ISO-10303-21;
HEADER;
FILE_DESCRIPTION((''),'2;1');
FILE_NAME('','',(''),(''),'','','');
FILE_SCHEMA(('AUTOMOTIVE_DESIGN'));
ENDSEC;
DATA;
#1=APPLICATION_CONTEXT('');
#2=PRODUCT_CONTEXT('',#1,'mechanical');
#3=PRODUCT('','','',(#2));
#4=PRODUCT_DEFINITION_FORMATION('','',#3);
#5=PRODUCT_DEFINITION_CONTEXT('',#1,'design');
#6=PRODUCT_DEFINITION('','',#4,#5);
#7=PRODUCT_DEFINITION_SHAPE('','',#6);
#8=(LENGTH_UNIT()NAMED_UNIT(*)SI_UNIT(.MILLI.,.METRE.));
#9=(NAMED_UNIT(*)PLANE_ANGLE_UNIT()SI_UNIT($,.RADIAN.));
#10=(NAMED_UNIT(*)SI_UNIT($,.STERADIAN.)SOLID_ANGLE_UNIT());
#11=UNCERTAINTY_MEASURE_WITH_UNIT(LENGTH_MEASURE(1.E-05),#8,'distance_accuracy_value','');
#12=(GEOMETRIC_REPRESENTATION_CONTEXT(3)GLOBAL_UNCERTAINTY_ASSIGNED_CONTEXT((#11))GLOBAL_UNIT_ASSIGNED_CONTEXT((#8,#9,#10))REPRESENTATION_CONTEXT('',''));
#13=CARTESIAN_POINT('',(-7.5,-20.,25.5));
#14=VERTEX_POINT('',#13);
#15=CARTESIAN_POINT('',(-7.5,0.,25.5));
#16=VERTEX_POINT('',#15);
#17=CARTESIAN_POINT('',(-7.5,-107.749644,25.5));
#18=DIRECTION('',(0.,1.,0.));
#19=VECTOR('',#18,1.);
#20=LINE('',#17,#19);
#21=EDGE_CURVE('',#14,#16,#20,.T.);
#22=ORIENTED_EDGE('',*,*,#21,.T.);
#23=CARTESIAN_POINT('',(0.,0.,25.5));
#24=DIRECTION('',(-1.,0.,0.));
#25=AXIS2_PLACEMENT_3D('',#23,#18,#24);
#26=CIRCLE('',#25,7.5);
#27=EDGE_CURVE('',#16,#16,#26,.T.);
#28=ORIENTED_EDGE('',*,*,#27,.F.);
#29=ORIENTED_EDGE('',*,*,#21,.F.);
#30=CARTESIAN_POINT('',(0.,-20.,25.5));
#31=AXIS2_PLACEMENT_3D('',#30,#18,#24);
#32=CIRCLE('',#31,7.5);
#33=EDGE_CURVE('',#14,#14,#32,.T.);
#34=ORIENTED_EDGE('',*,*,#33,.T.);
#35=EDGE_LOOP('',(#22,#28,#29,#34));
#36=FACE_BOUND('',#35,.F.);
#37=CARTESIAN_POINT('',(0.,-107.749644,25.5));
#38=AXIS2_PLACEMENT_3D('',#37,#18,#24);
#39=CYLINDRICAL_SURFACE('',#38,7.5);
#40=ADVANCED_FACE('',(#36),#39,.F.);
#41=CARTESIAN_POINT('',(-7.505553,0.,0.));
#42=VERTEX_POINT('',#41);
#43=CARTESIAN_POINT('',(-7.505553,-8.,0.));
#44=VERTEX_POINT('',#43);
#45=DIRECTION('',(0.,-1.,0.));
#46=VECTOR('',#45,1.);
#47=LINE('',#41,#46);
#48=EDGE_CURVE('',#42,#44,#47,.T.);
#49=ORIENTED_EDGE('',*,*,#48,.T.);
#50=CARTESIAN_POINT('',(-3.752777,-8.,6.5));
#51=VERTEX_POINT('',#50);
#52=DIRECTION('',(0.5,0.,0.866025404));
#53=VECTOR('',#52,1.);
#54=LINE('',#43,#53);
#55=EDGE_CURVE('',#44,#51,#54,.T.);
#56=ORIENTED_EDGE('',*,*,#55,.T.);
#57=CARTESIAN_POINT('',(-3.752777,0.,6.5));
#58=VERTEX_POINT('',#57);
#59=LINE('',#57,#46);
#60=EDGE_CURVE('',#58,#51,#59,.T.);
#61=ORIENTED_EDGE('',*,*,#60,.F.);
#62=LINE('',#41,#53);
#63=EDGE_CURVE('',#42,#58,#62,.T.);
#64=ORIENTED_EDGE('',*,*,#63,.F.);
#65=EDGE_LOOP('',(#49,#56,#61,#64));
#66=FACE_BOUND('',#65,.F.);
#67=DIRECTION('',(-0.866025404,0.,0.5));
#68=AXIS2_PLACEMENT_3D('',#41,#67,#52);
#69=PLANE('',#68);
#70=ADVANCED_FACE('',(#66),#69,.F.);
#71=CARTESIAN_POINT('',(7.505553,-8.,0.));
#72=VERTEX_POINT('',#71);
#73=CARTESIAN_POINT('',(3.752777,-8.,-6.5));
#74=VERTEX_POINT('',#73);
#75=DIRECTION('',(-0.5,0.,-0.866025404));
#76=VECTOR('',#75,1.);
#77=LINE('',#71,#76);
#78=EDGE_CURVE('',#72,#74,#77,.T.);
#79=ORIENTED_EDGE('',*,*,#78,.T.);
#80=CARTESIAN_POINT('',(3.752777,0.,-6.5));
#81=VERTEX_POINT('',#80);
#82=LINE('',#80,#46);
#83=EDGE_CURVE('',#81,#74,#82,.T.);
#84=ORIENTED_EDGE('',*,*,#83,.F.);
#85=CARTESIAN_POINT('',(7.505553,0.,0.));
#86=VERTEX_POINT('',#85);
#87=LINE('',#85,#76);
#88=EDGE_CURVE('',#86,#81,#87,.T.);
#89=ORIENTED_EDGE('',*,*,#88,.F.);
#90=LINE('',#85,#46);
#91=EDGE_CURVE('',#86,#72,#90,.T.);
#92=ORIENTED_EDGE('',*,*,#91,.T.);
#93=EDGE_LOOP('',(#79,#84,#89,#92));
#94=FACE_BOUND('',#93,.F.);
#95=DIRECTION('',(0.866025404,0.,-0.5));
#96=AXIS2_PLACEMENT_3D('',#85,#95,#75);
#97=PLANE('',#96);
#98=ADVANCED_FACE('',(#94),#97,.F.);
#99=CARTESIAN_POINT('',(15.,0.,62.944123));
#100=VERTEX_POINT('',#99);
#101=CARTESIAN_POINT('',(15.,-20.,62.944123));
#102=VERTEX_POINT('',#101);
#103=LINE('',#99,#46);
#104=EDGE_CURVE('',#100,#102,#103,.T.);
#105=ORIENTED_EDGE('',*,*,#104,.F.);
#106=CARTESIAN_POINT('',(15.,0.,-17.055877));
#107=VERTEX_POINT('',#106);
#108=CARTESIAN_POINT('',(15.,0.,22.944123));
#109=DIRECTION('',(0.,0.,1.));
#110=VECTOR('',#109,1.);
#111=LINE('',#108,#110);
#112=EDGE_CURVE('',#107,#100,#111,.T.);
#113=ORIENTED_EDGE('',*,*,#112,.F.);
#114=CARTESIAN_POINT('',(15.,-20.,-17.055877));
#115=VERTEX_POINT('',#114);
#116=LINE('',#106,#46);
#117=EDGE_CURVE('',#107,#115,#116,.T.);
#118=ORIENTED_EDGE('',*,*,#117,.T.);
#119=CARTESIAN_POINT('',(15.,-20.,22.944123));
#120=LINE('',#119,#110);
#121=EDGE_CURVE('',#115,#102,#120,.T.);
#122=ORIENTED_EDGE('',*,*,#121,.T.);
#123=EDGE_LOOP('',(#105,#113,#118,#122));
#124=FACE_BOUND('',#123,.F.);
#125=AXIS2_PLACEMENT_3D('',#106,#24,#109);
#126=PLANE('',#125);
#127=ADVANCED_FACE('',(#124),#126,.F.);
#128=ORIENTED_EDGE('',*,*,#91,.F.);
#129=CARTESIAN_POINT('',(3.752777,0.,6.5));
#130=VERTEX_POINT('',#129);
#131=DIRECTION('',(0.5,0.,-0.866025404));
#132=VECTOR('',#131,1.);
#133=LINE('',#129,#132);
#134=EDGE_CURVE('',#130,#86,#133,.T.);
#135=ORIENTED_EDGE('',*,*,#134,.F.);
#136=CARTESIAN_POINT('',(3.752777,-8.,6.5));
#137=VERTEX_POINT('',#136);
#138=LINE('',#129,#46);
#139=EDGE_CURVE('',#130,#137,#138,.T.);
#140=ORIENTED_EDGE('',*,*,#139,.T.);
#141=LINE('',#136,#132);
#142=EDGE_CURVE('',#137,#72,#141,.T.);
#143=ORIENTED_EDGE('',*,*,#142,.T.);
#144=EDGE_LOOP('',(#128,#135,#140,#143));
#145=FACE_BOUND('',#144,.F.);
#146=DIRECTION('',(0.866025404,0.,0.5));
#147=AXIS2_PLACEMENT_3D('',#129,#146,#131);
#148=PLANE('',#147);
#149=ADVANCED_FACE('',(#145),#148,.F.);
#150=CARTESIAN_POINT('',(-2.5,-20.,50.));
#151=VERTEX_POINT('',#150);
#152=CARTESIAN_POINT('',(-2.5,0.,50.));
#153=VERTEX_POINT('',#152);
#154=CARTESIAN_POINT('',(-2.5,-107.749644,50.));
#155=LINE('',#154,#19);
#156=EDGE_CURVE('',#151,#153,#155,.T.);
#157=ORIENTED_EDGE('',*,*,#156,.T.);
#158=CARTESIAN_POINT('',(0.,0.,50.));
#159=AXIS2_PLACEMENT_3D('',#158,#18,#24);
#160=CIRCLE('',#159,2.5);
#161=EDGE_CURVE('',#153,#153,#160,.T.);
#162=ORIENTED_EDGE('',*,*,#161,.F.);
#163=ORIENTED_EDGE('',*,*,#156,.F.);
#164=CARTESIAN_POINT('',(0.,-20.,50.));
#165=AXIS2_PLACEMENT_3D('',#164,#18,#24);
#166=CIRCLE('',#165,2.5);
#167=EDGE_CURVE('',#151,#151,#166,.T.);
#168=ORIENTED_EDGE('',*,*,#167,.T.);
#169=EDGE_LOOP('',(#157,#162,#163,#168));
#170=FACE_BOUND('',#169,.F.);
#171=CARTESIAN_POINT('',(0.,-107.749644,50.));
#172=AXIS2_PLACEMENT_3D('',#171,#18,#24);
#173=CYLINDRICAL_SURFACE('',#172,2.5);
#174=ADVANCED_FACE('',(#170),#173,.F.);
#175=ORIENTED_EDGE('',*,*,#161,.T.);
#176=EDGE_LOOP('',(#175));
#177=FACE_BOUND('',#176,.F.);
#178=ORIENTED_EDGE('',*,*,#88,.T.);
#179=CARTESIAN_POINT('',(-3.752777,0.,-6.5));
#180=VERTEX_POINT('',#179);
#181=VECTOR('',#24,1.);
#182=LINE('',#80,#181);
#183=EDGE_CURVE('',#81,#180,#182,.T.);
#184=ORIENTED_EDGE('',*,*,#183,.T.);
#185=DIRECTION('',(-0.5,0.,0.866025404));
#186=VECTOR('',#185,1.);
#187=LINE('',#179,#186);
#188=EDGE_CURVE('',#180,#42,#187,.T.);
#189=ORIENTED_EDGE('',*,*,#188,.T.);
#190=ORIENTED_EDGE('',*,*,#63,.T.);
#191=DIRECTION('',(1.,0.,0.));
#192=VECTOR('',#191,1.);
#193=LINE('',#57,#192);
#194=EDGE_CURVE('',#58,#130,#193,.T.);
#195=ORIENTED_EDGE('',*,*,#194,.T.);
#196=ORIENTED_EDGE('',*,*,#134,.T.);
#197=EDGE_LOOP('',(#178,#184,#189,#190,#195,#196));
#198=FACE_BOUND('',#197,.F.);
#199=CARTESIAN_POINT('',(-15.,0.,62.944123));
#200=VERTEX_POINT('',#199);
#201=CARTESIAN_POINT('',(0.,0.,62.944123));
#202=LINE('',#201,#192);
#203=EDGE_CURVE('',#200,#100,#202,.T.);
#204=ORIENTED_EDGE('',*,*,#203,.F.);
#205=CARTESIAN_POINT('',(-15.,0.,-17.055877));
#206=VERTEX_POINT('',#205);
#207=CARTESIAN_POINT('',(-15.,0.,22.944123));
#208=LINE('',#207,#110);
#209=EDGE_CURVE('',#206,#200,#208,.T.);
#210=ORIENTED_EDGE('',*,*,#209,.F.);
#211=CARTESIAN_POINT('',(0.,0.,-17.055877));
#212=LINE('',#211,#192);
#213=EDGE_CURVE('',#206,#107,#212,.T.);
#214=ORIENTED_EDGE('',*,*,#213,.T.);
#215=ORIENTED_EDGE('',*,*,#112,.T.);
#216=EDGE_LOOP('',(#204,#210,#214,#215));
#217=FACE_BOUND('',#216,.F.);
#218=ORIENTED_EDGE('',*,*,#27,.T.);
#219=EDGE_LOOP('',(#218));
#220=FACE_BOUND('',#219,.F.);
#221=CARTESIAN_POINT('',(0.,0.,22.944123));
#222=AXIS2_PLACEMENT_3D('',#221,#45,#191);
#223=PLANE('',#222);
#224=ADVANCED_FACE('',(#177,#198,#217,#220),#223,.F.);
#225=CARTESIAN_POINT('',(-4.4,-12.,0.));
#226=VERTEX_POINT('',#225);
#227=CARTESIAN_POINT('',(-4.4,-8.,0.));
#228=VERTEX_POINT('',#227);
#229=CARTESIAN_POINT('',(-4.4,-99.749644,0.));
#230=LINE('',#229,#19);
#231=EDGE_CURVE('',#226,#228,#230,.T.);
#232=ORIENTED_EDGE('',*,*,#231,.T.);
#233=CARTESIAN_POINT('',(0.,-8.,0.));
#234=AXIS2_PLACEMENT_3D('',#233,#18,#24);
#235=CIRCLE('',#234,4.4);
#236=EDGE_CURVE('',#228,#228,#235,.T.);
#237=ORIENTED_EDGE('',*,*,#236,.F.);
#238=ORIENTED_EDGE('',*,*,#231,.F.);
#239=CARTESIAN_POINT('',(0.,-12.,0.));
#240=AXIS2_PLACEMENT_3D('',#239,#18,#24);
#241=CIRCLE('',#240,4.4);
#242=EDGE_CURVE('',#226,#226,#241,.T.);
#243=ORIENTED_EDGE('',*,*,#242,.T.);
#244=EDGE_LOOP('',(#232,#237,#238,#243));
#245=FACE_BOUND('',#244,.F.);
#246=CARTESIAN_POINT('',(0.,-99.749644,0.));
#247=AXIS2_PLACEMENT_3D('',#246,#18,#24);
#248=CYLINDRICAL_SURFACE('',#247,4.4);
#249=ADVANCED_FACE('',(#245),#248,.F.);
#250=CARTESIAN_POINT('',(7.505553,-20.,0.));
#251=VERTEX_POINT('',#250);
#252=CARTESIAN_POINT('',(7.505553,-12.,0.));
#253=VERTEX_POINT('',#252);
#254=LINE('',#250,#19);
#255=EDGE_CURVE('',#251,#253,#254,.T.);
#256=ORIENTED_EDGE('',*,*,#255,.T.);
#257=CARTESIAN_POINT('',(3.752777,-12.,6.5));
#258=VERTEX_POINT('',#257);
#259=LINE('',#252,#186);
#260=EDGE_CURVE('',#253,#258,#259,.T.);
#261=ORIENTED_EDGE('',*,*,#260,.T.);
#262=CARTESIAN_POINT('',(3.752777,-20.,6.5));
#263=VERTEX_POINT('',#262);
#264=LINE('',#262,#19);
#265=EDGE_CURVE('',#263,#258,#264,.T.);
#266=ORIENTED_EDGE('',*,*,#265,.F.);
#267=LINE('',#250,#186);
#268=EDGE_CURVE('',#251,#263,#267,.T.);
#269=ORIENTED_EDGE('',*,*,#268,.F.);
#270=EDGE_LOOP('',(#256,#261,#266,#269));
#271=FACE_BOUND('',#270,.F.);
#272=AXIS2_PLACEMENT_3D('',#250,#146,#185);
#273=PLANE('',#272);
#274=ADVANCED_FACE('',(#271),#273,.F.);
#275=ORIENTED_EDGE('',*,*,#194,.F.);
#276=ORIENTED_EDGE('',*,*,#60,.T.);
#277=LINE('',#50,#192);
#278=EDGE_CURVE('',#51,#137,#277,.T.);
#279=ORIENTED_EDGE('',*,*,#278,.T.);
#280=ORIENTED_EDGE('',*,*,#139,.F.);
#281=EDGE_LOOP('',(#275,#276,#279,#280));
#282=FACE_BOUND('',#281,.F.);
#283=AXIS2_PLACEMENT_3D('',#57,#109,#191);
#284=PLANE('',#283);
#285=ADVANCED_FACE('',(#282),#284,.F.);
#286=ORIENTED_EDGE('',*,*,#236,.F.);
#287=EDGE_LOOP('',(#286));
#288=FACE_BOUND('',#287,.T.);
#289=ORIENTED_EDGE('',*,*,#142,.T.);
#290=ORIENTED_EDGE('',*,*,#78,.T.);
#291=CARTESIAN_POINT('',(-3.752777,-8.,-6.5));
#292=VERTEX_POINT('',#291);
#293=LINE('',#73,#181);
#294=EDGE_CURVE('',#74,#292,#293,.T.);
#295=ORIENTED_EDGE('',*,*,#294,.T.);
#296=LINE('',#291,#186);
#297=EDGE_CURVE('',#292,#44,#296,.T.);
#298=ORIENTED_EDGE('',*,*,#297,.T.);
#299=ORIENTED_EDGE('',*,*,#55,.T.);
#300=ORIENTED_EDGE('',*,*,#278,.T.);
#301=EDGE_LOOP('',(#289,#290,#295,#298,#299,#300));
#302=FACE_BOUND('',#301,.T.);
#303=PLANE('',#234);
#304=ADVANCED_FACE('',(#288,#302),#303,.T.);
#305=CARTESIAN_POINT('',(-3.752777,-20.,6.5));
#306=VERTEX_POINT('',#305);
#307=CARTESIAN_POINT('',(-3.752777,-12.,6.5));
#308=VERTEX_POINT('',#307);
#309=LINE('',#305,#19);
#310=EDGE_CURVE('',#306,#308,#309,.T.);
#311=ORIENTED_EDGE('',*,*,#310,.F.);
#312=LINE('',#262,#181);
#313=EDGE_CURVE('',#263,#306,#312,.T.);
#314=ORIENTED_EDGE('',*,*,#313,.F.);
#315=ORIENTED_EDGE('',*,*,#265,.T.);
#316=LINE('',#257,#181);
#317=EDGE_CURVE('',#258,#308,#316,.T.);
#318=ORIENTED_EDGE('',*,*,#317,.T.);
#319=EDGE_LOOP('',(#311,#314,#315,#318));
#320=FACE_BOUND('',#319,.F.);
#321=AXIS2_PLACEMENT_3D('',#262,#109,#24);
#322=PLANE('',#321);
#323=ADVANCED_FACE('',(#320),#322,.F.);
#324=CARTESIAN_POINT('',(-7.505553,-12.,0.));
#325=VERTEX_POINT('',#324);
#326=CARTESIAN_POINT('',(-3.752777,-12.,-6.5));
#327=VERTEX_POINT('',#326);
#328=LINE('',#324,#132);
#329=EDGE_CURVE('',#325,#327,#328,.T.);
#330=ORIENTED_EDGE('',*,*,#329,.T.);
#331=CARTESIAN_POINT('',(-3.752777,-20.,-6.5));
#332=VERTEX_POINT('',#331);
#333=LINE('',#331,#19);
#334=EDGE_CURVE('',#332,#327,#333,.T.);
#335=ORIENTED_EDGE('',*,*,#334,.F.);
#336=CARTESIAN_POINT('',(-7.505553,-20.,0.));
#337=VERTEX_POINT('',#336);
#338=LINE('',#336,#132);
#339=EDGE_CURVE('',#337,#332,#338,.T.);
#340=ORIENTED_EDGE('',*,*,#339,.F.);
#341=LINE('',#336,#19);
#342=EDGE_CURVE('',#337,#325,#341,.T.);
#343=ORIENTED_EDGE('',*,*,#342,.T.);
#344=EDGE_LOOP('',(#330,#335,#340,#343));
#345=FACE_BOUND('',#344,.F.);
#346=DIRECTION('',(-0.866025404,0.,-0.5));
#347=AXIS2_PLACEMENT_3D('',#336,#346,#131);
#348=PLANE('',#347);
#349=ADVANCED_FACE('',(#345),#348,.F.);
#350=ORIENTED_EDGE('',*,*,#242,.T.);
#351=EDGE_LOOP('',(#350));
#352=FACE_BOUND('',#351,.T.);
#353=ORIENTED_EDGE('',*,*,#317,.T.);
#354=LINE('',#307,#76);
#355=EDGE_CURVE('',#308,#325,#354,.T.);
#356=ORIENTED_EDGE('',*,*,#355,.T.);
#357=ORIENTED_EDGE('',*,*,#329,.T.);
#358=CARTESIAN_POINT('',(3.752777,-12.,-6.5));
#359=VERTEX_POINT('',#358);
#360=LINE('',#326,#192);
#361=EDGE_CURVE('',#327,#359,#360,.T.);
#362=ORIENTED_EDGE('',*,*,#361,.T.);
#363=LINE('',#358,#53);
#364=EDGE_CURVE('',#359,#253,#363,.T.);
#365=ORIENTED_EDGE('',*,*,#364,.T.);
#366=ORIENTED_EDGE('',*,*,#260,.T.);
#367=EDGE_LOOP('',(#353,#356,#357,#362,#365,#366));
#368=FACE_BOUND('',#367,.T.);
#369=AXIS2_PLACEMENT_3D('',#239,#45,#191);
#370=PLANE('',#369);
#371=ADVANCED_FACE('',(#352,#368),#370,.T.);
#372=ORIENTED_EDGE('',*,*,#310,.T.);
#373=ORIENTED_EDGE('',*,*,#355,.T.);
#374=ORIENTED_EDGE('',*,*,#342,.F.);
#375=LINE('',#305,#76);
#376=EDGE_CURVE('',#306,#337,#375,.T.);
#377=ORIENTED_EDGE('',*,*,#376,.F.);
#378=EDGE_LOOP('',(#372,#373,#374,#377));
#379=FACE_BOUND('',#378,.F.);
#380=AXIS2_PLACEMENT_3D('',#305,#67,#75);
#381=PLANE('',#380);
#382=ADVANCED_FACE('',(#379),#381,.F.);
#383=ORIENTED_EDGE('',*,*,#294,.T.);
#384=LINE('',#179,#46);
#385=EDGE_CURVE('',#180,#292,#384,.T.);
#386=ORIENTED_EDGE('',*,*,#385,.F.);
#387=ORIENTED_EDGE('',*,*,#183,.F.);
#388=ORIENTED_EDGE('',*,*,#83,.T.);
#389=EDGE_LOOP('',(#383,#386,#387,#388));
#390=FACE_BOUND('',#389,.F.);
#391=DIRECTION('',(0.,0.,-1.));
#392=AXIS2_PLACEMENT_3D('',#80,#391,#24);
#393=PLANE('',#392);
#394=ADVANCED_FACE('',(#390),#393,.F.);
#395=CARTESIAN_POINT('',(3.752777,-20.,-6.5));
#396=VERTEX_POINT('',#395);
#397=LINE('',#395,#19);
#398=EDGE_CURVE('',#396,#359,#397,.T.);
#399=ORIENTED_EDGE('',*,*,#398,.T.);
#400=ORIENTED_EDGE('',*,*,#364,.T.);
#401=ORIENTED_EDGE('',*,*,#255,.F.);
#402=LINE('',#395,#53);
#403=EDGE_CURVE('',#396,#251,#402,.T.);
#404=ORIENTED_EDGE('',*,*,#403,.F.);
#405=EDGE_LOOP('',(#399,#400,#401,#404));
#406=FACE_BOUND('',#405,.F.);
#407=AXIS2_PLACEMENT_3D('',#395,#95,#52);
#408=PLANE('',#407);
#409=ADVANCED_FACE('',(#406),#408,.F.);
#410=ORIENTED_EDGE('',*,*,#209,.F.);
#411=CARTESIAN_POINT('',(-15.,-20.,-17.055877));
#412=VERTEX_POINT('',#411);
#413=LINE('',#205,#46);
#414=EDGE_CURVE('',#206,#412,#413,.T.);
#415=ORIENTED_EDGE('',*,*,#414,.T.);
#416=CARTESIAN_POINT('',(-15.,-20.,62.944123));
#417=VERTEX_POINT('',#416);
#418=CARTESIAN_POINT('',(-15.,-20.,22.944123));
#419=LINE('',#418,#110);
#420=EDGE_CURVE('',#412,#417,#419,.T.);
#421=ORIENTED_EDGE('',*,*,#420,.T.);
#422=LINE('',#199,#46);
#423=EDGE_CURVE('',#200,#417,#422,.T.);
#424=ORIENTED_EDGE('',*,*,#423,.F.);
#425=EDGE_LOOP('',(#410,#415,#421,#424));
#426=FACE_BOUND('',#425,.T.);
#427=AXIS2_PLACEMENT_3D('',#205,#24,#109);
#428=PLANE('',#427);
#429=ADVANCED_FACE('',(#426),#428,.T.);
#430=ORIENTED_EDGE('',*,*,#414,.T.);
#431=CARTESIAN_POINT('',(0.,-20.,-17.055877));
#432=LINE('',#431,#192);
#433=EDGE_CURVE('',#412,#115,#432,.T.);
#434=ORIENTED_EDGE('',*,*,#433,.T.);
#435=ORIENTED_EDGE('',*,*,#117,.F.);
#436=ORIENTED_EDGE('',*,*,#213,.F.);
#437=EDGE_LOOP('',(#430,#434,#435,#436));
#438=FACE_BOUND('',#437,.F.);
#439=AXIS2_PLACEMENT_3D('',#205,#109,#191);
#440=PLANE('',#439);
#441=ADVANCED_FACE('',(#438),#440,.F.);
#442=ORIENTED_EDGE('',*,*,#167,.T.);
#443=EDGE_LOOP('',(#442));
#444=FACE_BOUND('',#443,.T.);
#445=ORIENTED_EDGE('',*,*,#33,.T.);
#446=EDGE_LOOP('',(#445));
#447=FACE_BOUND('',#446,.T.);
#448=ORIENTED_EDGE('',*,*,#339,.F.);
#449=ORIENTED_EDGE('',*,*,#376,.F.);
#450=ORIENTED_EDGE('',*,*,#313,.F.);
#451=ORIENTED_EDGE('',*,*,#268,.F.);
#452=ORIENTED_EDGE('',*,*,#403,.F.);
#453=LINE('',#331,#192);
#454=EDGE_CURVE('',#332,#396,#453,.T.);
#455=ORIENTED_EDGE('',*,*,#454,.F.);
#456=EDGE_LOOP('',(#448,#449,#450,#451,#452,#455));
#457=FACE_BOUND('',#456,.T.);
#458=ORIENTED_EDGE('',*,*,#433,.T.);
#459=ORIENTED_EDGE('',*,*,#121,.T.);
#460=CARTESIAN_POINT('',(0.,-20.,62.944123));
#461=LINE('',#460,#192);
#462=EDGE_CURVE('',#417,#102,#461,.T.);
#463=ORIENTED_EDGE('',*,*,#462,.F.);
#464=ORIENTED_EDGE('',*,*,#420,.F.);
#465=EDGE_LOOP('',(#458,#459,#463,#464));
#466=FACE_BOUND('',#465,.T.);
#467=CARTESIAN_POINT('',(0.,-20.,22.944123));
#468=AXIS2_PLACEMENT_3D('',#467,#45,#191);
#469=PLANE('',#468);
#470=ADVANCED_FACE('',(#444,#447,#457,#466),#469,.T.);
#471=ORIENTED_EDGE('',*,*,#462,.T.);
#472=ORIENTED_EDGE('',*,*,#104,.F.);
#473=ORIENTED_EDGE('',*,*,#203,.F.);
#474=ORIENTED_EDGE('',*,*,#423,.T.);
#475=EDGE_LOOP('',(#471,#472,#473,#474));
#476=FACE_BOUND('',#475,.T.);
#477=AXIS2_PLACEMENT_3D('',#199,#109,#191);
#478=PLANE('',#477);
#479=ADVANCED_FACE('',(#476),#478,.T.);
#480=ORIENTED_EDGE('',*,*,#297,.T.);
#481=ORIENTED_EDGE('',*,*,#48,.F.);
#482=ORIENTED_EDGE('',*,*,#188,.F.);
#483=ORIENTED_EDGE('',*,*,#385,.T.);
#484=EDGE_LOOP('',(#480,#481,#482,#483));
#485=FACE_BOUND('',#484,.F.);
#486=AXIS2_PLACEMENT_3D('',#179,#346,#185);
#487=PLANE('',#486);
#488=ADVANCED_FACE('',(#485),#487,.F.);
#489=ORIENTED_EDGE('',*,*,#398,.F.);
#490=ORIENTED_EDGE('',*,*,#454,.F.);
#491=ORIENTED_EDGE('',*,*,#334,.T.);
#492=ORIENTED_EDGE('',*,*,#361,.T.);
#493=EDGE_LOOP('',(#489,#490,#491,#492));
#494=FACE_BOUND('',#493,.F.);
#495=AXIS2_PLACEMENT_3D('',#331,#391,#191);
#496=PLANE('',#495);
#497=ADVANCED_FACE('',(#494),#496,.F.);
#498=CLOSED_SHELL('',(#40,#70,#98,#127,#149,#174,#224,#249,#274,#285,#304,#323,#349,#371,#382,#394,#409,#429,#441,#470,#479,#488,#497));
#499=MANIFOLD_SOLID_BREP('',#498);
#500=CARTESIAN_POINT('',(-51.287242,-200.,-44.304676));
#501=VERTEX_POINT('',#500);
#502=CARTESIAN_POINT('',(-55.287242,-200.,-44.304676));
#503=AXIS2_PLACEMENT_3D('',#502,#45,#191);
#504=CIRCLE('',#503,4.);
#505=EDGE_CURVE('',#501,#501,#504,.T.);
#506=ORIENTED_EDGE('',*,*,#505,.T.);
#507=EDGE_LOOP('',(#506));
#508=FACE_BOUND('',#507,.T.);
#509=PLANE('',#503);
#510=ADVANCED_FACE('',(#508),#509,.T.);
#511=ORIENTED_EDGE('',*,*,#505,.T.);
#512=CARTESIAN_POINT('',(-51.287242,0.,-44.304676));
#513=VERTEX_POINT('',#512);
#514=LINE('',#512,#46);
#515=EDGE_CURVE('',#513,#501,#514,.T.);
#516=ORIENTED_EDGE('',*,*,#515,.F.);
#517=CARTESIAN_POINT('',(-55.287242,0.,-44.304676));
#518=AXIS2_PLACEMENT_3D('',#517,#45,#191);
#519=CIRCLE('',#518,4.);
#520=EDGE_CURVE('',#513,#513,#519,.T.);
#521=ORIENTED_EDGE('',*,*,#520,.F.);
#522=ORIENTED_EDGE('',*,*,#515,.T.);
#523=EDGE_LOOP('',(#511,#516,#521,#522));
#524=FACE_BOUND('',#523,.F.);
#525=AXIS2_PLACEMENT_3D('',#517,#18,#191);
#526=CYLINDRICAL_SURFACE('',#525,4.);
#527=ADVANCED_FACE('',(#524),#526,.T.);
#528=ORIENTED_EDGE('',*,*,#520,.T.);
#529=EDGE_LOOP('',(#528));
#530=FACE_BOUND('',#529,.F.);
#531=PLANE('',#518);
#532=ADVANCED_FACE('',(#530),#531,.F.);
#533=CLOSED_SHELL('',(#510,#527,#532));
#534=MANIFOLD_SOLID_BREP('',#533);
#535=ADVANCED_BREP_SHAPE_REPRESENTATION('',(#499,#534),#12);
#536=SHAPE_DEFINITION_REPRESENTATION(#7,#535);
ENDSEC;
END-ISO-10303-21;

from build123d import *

# Parameters (mm, degrees)
F0_W     = 30
F0_H     = 80
F1_DEPTH = 20
F3_DEPTH = 8
F5_D     = 8.8
F7_DEPTH = 8
F8_R     = 4
F9_DEPTH = 200
F11_D    = 15
F13_D    = 5


with BuildPart() as f1:
    # F0 (on Front) → F1 (new body)
    with BuildSketch(Plane.XZ):
        with Locations((0, 22.9441225534)):
            Rectangle(F0_W, F0_H)
    extrude(amount=F1_DEPTH)

    # F2 (on face) → F3 (cut)
    with BuildSketch(Plane.XZ.offset(20)):
        Polygon((3.7527767497, 6.5), (-3.7527767497, 6.5), (-7.5055534995, 0), (-3.7527767497, -6.5), (3.7527767497, -6.5), (7.5055534995, 0), align=None)
    extrude(amount=-F3_DEPTH, mode=Mode.SUBTRACT)

    # F5 (through all)
    with Locations(Plane.XZ.offset(12)):
        with Locations((0, 0)):
            Hole(F5_D / 2)

    # F6 (on face) → F7 (cut)
    with BuildSketch(Plane(origin=(0, 0, 0), x_dir=(-1, 0, 0), z_dir=(0, 1, 0))):
        Polygon((3.7527767497, -6.5), (7.5055534995, 0), (3.7527767497, 6.5), (-3.7527767497, 6.5), (-7.5055534995, 0), (-3.7527767497, -6.5), align=None)
    extrude(amount=-F7_DEPTH, mode=Mode.SUBTRACT)

    # F11 (through all)
    with Locations(Plane.XZ.offset(20)):
        with Locations((0, 25.5)):
            Hole(F11_D / 2)

    # F13 (through all)
    with Locations(Plane.XZ.offset(20)):
        with Locations((0, 50)):
            Hole(F13_D / 2)


with BuildPart() as f9:
    # F8 (on Front) → F9 (new body)
    with BuildSketch(Plane.XZ):
        with Locations((-55.2872419357, -44.3046763539)):
            Circle(F8_R)
    extrude(amount=F9_DEPTH)


solid = Compound([f1.part, f9.part])
